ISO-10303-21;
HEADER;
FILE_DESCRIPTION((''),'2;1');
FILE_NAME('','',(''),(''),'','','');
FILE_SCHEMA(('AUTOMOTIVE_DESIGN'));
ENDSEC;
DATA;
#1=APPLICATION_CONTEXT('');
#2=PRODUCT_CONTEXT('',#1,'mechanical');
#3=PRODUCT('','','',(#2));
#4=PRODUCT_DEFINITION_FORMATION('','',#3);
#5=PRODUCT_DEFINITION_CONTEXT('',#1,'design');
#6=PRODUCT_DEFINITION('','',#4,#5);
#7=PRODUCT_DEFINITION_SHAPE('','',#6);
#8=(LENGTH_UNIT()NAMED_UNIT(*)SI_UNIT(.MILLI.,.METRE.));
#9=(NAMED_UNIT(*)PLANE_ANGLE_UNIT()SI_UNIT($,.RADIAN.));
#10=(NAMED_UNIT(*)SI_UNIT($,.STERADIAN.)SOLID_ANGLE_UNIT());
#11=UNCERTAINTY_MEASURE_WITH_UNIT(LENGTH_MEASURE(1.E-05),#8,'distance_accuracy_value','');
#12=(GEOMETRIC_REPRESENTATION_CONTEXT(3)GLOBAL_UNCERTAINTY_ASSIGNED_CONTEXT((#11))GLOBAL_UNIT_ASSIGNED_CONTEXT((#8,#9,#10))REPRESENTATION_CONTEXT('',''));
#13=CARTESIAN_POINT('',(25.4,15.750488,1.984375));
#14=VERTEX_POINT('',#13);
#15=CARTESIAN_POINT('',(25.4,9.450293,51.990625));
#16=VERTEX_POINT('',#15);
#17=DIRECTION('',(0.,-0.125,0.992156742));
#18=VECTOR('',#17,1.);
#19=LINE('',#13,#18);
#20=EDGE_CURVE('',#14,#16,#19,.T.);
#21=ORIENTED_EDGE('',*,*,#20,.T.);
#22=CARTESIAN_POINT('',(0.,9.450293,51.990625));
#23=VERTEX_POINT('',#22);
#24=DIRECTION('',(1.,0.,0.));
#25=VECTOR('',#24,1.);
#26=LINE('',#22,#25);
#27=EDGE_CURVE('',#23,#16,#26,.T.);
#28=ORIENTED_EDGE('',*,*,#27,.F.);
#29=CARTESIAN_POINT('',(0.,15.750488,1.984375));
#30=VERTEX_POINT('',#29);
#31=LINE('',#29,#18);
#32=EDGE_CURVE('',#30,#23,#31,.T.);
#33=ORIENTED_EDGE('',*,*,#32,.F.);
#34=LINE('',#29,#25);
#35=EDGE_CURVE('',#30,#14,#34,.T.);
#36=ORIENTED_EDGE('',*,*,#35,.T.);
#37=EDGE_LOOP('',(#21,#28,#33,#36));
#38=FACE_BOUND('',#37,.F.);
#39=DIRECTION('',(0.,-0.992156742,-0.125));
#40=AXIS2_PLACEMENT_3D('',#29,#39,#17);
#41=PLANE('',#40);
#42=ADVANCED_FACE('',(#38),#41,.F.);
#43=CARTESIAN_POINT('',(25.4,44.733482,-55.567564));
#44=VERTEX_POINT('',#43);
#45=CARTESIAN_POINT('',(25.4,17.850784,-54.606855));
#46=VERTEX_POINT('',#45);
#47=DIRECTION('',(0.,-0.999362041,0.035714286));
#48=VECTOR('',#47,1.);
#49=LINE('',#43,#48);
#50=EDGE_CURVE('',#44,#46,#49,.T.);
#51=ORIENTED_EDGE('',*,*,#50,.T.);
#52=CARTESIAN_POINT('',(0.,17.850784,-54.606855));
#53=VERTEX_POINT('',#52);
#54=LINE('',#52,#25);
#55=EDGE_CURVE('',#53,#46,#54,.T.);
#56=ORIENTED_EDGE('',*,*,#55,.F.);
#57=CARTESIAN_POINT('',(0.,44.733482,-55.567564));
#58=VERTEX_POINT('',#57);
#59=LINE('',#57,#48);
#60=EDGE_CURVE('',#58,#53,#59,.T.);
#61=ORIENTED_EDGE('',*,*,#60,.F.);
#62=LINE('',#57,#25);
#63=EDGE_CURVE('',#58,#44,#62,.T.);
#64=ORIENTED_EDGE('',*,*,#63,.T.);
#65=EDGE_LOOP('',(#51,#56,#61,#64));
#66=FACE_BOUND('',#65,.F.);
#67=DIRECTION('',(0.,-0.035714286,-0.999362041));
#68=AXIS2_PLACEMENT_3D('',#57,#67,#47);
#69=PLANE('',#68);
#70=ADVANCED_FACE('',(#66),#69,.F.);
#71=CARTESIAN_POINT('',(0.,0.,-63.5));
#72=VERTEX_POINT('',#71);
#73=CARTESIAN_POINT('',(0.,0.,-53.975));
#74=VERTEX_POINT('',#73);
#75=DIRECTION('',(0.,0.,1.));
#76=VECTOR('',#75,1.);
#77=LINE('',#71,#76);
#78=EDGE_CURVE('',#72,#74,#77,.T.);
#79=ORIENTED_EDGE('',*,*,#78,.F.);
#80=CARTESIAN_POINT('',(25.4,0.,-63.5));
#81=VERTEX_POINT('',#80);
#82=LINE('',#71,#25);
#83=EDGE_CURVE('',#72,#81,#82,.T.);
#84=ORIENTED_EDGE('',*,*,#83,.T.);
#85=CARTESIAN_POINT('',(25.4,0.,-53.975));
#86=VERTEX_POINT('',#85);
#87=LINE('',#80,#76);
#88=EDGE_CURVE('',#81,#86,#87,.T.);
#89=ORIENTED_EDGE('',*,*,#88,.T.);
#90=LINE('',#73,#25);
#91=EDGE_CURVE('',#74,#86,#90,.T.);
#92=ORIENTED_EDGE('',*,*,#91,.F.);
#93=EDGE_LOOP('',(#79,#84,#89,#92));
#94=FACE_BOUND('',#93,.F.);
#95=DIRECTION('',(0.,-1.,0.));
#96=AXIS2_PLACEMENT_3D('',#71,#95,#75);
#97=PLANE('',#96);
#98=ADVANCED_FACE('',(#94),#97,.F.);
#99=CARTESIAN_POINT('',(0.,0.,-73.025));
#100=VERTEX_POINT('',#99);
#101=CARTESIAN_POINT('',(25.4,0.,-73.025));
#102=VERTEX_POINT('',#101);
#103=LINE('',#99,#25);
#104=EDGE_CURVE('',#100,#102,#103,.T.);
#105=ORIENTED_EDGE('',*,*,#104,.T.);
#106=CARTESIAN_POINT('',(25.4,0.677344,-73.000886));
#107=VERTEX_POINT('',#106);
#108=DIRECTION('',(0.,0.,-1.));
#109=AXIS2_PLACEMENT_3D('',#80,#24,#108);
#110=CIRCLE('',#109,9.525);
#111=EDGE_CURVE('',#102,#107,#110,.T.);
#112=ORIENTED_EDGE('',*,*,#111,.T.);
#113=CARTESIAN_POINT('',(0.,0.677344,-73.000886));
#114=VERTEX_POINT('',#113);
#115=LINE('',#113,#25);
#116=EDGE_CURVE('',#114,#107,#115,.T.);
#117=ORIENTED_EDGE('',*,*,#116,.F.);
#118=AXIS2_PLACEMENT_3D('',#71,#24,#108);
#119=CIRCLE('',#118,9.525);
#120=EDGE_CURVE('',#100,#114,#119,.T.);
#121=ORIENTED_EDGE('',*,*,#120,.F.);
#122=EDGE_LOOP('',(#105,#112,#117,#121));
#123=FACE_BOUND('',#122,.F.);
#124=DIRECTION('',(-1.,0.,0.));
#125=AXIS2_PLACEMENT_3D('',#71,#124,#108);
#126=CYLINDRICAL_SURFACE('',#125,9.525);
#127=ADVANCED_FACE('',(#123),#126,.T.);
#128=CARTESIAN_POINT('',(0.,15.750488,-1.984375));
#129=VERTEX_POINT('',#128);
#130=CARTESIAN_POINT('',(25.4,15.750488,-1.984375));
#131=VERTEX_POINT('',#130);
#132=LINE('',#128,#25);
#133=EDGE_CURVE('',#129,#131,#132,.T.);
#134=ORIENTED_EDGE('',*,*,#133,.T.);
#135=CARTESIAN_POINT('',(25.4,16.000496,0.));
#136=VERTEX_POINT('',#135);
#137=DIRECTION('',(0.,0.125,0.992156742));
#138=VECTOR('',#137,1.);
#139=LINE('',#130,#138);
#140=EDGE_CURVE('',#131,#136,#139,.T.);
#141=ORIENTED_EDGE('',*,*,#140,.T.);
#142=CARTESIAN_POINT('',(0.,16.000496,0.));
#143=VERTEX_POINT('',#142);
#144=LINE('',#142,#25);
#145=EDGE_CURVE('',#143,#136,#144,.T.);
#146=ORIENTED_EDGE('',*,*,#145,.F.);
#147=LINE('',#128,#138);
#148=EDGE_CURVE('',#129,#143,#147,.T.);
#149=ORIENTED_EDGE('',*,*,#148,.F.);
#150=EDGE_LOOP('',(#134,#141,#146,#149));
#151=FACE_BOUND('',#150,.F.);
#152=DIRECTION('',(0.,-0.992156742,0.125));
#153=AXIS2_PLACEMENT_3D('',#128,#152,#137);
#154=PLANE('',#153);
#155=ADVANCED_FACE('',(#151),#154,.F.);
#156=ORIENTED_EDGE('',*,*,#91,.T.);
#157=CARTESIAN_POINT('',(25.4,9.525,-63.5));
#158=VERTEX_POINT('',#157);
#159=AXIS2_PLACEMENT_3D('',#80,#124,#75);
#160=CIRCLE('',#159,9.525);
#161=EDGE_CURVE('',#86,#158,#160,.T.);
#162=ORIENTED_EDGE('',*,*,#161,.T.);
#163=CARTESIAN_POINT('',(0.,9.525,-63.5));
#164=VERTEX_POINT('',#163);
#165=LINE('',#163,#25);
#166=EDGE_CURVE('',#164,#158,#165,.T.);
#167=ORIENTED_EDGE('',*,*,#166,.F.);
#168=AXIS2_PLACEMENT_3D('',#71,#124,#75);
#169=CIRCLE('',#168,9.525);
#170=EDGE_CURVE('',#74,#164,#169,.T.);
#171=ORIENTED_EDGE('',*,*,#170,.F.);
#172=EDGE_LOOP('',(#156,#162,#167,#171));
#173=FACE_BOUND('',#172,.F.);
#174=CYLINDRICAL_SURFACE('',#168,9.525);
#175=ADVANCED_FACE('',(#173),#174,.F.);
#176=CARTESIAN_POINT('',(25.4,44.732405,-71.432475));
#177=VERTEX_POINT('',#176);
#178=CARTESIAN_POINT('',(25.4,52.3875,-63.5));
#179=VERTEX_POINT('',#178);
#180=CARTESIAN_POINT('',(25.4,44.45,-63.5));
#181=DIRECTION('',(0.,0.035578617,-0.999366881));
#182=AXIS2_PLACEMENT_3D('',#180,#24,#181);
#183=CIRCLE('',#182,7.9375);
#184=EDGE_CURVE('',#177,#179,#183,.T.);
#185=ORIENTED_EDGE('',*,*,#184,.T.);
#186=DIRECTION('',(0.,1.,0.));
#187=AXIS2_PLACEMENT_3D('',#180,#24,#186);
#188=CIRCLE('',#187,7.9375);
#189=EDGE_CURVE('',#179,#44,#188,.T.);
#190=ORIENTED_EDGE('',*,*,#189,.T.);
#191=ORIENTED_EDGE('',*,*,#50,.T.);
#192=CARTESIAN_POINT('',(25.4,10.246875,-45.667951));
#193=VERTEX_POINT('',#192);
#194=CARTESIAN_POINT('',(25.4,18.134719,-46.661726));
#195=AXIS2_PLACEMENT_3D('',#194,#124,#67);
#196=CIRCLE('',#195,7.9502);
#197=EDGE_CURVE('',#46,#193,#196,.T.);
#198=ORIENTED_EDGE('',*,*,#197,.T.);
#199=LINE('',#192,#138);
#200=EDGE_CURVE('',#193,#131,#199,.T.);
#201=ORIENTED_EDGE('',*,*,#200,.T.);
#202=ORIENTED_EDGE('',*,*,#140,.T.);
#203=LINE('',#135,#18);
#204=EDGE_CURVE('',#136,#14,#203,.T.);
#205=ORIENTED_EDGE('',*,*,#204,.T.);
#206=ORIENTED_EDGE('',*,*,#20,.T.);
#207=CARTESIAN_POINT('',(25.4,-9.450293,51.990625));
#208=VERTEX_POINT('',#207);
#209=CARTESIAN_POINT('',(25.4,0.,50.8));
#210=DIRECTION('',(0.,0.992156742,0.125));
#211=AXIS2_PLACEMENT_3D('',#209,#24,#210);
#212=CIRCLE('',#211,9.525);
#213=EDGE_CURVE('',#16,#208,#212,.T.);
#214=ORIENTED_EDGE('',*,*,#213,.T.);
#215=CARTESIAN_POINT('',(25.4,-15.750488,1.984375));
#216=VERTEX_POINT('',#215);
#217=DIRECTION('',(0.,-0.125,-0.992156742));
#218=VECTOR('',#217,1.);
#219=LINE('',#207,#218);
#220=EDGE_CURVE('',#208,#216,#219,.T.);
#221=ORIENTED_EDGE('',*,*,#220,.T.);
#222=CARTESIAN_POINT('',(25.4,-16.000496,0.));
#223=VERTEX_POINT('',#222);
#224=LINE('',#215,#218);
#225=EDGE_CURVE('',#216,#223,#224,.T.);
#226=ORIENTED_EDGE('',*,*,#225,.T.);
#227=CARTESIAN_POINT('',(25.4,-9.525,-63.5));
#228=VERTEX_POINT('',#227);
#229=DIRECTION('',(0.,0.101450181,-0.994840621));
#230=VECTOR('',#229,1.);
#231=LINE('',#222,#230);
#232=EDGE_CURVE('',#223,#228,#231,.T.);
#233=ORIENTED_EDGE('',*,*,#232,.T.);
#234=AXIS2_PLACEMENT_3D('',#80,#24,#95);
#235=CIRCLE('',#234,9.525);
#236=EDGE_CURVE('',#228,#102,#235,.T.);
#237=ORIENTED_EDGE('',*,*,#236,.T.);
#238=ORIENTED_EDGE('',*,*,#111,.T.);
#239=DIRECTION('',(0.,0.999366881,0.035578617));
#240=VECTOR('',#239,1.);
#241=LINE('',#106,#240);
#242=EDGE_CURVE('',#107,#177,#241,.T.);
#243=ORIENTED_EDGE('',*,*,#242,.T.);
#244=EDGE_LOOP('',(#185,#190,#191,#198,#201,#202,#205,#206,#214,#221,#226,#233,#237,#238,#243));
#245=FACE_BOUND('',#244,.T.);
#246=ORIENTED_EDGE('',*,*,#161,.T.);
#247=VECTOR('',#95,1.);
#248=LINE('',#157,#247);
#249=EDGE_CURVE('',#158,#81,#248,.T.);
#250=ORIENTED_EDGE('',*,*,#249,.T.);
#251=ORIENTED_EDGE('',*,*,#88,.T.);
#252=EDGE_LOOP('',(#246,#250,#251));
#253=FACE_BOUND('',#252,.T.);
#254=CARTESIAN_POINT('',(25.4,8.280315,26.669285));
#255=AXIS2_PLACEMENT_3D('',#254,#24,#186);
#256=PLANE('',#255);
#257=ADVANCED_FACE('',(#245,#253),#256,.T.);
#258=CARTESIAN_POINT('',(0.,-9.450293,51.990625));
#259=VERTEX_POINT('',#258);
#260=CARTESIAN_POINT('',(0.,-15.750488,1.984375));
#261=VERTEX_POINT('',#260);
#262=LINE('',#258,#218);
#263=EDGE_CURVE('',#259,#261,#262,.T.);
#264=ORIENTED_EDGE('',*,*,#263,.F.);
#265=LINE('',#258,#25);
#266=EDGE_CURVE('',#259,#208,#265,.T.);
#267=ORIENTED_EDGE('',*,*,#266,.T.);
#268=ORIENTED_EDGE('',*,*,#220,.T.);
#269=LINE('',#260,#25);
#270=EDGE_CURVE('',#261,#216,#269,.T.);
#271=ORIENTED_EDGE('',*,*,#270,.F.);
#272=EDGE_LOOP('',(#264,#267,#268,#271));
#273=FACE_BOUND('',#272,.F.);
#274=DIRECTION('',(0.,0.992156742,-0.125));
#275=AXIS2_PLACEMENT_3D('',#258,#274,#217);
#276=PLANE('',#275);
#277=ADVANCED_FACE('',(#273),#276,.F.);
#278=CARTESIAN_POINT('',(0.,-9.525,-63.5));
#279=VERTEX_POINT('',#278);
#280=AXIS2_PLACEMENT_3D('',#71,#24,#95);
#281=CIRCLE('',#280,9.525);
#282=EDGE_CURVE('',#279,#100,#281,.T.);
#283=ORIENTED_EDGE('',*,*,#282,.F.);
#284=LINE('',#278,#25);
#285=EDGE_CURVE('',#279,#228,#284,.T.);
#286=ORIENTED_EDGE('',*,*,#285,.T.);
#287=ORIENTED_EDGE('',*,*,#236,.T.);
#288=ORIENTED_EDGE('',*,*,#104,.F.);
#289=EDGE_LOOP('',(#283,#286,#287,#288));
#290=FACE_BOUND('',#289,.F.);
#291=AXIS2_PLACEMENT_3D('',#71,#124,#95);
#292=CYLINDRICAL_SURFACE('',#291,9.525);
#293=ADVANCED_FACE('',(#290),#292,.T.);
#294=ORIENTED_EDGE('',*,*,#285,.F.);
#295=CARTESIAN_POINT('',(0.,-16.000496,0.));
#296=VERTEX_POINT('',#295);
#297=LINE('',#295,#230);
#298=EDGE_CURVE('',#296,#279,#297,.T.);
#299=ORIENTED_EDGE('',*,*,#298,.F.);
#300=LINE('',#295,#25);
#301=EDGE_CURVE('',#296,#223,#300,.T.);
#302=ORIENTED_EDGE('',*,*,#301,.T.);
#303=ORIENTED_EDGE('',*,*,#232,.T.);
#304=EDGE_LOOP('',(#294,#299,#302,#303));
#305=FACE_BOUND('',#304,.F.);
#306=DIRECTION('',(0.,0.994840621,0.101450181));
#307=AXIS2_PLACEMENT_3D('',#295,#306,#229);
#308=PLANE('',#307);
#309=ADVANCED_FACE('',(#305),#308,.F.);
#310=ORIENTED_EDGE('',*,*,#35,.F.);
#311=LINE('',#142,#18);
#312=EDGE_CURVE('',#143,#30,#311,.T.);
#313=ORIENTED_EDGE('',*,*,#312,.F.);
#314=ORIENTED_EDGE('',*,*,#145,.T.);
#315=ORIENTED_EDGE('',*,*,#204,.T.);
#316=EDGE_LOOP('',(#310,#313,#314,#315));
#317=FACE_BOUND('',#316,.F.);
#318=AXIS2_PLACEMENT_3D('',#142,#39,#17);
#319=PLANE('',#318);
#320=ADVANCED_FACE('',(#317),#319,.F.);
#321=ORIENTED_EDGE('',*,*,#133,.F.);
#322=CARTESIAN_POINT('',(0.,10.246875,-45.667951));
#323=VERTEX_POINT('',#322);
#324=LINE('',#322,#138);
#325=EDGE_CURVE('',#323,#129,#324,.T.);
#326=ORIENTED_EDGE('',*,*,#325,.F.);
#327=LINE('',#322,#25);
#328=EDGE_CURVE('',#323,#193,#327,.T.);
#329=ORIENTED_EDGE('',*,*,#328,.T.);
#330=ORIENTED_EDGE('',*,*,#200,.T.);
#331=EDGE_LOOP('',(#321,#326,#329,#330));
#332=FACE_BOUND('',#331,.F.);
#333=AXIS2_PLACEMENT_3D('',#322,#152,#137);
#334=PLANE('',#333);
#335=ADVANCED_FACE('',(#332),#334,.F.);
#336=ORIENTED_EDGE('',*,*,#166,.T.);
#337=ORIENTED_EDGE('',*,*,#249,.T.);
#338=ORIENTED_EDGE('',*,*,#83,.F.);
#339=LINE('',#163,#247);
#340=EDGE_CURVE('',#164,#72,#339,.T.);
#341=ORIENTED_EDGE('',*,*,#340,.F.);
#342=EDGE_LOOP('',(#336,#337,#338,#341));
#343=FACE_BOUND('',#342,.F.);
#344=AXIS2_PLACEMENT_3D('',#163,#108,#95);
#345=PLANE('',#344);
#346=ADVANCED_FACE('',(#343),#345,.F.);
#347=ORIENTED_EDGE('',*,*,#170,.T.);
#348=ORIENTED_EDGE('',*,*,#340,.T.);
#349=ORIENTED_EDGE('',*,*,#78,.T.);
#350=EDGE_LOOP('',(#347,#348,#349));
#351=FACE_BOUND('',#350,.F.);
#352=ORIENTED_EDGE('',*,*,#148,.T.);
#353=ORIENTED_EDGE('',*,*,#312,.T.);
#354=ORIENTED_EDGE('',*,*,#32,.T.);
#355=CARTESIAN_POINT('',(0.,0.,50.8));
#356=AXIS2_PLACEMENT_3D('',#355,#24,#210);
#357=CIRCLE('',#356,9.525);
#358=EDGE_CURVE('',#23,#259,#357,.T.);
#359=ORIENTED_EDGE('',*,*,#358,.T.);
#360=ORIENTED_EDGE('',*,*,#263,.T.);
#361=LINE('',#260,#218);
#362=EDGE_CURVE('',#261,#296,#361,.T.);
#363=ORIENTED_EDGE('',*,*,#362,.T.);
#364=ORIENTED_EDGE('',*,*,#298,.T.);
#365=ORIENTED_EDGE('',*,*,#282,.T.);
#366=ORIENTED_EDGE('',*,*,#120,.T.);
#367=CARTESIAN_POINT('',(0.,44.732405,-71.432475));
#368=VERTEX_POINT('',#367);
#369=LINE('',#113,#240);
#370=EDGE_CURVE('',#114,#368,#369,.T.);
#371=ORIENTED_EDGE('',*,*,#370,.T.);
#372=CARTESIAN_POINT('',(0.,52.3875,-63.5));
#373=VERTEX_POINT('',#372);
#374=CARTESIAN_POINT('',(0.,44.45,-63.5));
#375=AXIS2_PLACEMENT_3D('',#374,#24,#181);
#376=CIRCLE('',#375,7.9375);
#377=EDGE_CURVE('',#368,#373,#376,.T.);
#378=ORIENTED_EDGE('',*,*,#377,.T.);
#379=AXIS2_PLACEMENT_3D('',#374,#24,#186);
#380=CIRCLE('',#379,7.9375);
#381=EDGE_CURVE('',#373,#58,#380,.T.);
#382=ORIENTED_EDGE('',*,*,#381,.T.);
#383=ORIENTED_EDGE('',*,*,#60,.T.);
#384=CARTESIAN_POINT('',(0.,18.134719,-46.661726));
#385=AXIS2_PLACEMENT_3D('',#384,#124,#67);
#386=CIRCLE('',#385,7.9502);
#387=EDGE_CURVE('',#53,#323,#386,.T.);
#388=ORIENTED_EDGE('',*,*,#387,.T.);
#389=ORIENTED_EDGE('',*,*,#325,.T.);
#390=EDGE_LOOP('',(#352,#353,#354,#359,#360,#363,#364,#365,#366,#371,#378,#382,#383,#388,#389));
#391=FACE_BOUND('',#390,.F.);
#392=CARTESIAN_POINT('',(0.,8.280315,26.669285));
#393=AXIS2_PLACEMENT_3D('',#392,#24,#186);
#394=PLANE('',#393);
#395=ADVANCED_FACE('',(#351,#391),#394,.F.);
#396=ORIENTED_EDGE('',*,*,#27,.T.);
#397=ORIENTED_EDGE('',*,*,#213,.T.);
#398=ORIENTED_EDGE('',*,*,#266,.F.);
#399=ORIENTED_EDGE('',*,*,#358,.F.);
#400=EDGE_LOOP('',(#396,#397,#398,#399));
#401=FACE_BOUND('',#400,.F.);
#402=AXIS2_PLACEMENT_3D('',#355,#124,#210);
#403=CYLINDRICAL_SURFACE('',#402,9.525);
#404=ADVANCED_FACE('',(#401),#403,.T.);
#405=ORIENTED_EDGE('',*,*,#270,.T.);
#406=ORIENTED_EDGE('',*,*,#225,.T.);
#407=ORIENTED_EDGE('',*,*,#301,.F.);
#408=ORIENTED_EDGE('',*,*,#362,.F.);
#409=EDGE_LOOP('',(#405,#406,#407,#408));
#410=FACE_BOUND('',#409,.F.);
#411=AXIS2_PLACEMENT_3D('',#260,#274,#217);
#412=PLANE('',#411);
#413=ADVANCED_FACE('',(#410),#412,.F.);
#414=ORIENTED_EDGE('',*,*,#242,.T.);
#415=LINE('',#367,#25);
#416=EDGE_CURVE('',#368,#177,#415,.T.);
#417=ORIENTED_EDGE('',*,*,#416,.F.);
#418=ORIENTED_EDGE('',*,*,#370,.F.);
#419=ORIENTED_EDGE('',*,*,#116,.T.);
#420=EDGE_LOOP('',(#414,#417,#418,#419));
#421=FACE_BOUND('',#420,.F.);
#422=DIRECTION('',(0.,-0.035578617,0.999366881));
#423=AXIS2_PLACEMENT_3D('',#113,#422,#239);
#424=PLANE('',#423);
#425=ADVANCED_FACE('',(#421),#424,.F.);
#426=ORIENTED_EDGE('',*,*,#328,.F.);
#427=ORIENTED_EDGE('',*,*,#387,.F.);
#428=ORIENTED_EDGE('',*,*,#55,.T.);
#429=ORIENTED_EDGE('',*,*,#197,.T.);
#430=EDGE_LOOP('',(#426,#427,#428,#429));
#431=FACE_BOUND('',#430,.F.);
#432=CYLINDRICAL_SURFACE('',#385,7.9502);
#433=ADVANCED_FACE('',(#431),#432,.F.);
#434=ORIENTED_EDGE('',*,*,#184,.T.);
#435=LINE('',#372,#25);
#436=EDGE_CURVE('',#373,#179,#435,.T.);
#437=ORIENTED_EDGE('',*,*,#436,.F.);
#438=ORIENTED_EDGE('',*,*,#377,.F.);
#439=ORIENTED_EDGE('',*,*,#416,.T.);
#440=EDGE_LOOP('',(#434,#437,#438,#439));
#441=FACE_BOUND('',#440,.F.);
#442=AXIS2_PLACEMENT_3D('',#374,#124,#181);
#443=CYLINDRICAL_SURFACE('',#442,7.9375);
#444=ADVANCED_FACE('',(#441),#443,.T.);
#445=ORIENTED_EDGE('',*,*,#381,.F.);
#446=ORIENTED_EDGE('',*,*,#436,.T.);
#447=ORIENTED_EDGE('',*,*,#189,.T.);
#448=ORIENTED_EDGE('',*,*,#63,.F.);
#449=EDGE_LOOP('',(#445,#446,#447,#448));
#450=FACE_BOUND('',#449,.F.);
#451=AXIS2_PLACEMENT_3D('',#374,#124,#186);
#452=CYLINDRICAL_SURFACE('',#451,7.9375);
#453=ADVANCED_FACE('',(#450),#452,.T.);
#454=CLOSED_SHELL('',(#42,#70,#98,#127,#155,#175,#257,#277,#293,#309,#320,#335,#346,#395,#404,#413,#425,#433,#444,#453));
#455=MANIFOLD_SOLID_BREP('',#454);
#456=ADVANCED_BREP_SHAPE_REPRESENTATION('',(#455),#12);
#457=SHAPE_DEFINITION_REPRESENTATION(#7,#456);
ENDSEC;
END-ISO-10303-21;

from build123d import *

# Parameters (mm, degrees)
F1_DEPTH = 25.4


with BuildPart() as f1:
    # F0 (on Right) → F1 (new body)
    with BuildSketch(Plane.YZ):
        with BuildLine():
            ThreePointArc((9.525, 50.8), (6.7351920908, 44.0648079092), (0, 41.275))
            Line((0, 41.275), (0, 15.875))
            ThreePointArc((0, 15.875), (10.5003255055, 11.9062500091), (15.7504882702, 1.9843750273))
            Line((15.7504882702, 1.9843750273), (9.4502929642, 51.990625))
            ThreePointArc((9.4502929642, 51.990625), (9.5063048942, 51.396483242), (9.525, 50.8))
        make_face()
        with BuildLine():
            Line((0, 15.875), (0, 41.275))
            ThreePointArc((0, 41.275), (-7.14375, 44.4998046905), (-9.4502929642, 51.990625))
            Line((-9.4502929642, 51.990625), (-15.7504883051, 1.9843747505))
            ThreePointArc((-15.7504883051, 1.9843747505), (-10.5003256101, 11.9062499168), (0, 15.875))
        make_face()
        with BuildLine():
            ThreePointArc((-9.4502929642, 51.990625), (-7.14375, 44.4998046905), (0, 41.275))
            ThreePointArc((0, 41.275), (6.7351920908, 44.0648079092), (9.525, 50.8))
            ThreePointArc((9.525, 50.8), (9.5063048942, 51.396483242), (9.4502929642, 51.990625))
            ThreePointArc((9.4502929642, 51.990625), (0, 60.325), (-9.4502929642, 51.990625))
        make_face()
        with BuildLine():
            ThreePointArc((15.7504882702, 1.9843750273), (10.5003255055, 11.9062500091), (0, 15.875))
            Line((0, 15.875), (0, -15.875))
            ThreePointArc((0, -15.875), (10.5003255381, -11.9062499803), (15.7504882811, -1.984374941))
            ThreePointArc((15.7504882811, -1.984374941), (15.8438414922, -0.994138707), (15.875, 0))
            ThreePointArc((15.875, 0), (15.8438414895, 0.9941387503), (15.7504882702, 1.9843750273))
        make_face()
        with BuildLine():
            Line((0, -15.875), (0, 15.875))
            ThreePointArc((0, 15.875), (-10.5003256101, 11.9062499168), (-15.7504883051, 1.9843747505))
            ThreePointArc((-15.7504883051, 1.9843747505), (-11.9062499168, -10.5003256101), (0, -15.875))
        make_face()
        with BuildLine():
            ThreePointArc((15.7504882811, -1.984374941), (10.5003255381, -11.9062499803), (0, -15.875))
            Line((0, -15.875), (0, -53.975))
            ThreePointArc((0, -53.975), (6.7351920908, -56.7648079092), (9.525, -63.5))
            Line((9.525, -63.5), (36.5125, -63.5))
            ThreePointArc((36.5125, -63.5), (38.9384772185, -57.7879930953), (44.7334821429, -55.5675637964))
            Line((44.7334821429, -55.5675637964), (17.8507837718, -54.6068545332))
            ThreePointArc((17.8507837718, -54.6068545332), (12.0791026517, -51.812957818), (10.2468749586, -45.6679514317))
            Line((10.2468749586, -45.6679514317), (15.7504882811, -1.984374941))
        make_face()
        with BuildLine():
            Line((0, -53.975), (0, -15.875))
            ThreePointArc((0, -15.875), (-11.9062499168, -10.5003256101), (-15.7504883051, 1.9843747505))
            Line((-15.7504883051, 1.9843747505), (-16.0004960241, 0))
            Line((-16.0004960241, 0), (-9.525, -63.5))
            ThreePointArc((-9.525, -63.5), (-6.7351920908, -56.7648079092), (0, -53.975))
        make_face()
        with BuildLine():
            Line((16.0004960241, 0), (15.7504882702, 1.9843750273))
            ThreePointArc((15.7504882702, 1.9843750273), (15.8438414895, 0.9941387503), (15.875, 0))
            ThreePointArc((15.875, 0), (15.8438414922, -0.994138707), (15.7504882811, -1.984374941))
            Line((15.7504882811, -1.984374941), (16.0004960241, 0))
        make_face()
        with BuildLine():
            Line((0, -63.5), (0, -53.975))
            ThreePointArc((0, -53.975), (-6.7351920908, -56.7648079092), (-9.525, -63.5))
            ThreePointArc((-9.525, -63.5), (-6.7351920908, -70.2351920908), (0, -73.025))
            Line((0, -73.025), (0.6773435479, -73.000885786))
            ThreePointArc((0.6773435479, -73.000885786), (6.9705567315, -69.9912990883), (9.525, -63.5))
            Line((9.525, -63.5), (0, -63.5))
        make_face()
        with BuildLine():
            Line((36.5125, -63.5), (9.525, -63.5))
            ThreePointArc((9.525, -63.5), (6.9705567315, -69.9912990883), (0.6773435479, -73.000885786))
            Line((0.6773435479, -73.000885786), (44.7324052746, -71.4324746146))
            ThreePointArc((44.7324052746, -71.4324746146), (38.9380895153, -69.2116327839), (36.5125, -63.5))
        make_face()
        with BuildLine():
            ThreePointArc((44.7334821429, -55.5675637964), (38.9384772185, -57.7879930953), (36.5125, -63.5))
            ThreePointArc((36.5125, -63.5), (38.9380895153, -69.2116327839), (44.7324052746, -71.4324746146))
            ThreePointArc((44.7324052746, -71.4324746146), (50.1616327839, -69.0119104847), (52.3875, -63.5))
            ThreePointArc((52.3875, -63.5), (50.1620069047, -57.9884772185), (44.7334821429, -55.5675637964))
        make_face()
        with BuildLine():
            ThreePointArc((0, -73.025), (0.3388863295, -73.0189695375), (0.6773435479, -73.000885786))
            Line((0.6773435479, -73.000885786), (0, -73.025))
        make_face()
    extrude(amount=F1_DEPTH)


solid = f1.part
